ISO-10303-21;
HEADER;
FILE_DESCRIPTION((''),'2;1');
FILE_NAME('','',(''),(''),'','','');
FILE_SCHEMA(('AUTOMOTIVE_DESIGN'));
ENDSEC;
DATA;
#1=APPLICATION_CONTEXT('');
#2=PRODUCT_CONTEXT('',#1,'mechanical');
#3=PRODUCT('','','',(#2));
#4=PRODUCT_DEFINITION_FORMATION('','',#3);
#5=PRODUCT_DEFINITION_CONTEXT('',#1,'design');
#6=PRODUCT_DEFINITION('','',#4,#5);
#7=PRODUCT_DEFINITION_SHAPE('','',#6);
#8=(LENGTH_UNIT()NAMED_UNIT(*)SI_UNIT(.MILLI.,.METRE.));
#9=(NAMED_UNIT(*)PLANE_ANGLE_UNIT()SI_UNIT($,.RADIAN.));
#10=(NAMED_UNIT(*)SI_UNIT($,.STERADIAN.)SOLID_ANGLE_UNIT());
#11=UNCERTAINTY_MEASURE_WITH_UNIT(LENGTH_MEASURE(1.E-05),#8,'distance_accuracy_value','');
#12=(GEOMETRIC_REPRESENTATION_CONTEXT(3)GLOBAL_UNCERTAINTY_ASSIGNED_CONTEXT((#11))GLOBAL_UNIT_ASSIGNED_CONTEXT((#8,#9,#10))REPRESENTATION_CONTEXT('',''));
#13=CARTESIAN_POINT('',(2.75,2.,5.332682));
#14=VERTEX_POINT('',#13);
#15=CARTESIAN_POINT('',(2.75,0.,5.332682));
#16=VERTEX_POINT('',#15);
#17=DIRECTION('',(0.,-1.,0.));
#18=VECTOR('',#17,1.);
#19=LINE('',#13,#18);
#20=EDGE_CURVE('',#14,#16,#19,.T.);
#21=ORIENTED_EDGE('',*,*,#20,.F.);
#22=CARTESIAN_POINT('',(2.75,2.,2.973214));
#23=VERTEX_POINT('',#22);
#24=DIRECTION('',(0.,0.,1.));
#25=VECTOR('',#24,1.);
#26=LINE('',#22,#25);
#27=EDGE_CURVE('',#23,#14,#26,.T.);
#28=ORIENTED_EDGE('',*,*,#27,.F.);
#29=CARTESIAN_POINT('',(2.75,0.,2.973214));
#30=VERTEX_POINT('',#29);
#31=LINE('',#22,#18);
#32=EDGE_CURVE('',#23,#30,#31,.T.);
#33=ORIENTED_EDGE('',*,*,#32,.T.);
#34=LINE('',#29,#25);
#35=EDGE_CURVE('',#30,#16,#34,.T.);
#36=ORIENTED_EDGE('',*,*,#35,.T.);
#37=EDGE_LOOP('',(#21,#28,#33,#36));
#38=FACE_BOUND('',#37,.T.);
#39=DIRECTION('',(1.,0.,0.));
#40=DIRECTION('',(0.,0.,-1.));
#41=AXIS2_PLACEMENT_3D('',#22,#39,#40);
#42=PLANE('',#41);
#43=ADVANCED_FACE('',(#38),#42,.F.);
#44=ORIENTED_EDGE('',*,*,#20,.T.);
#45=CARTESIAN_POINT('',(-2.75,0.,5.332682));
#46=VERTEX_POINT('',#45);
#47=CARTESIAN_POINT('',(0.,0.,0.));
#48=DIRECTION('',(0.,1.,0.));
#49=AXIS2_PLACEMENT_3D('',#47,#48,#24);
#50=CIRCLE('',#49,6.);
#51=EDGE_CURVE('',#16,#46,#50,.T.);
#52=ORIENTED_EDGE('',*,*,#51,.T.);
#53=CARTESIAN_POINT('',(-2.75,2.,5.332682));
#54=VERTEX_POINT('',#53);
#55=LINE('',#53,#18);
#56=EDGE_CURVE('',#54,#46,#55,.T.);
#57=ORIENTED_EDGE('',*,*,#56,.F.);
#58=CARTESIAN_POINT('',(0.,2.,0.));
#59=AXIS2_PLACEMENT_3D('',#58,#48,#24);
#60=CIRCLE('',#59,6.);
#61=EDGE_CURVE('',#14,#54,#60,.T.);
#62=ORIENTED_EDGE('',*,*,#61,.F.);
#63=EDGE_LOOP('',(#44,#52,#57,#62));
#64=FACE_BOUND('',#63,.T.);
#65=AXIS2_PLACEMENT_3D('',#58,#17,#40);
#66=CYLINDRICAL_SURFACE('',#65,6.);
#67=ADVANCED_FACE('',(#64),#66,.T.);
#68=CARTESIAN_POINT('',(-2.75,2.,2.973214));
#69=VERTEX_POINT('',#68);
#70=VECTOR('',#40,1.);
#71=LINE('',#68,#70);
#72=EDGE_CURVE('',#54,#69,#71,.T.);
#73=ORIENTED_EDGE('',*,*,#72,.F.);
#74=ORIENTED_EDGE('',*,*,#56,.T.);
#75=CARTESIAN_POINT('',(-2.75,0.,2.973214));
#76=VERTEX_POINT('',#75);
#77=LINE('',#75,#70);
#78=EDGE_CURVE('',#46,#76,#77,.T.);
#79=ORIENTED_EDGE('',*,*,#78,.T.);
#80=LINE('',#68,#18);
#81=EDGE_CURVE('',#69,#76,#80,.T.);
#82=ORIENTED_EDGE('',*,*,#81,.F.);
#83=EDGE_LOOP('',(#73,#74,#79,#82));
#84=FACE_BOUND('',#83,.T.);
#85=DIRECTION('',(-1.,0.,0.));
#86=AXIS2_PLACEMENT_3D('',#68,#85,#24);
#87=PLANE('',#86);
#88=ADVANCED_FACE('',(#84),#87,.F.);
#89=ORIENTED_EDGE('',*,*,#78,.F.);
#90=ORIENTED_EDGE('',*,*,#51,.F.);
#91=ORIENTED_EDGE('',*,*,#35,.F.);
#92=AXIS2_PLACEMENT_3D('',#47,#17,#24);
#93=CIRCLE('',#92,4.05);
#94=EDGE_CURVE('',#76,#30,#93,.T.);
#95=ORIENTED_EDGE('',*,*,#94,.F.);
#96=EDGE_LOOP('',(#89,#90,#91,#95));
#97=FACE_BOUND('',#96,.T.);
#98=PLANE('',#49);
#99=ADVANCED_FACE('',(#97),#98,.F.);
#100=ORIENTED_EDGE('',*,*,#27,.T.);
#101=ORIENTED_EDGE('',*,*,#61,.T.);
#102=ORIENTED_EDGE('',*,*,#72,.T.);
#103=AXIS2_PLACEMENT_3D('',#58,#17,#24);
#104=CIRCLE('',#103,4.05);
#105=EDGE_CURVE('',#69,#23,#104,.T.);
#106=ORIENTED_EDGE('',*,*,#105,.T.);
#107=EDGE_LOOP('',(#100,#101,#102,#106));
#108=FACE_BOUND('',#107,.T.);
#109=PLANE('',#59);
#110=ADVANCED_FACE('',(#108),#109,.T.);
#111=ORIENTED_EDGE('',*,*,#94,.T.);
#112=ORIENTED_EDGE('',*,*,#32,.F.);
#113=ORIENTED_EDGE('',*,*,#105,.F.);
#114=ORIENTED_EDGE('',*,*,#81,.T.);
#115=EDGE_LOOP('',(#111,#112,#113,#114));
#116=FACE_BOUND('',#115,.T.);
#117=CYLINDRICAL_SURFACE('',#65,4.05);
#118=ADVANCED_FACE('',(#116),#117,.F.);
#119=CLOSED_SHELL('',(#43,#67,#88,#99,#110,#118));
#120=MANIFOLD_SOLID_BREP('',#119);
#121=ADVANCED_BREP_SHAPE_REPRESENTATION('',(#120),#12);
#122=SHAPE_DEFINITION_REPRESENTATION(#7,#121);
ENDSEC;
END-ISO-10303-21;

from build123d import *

# Parameters (mm, degrees)
BOSS_EXTRUDE1_DEPTH = 2


with BuildPart() as part:
    # Sketch1 → Boss-Extrude1 (new body)
    with BuildSketch(Plane(origin=(0, 0, 0), x_dir=(1, 0, 0), z_dir=(0, 1, 0))):
        with BuildLine():
            Line((-2.75, -2.973213749), (-2.75, -5.332682252))
            ThreePointArc((-2.75, -5.332682252), (0, 6), (2.75, -5.332682252))
            Line((2.75, -5.332682252), (2.75, -2.973213749))
            ThreePointArc((2.75, -2.973213749), (0, 4.05), (-2.75, -2.973213749))
        make_face()
    extrude(amount=BOSS_EXTRUDE1_DEPTH)


solid = part.part
